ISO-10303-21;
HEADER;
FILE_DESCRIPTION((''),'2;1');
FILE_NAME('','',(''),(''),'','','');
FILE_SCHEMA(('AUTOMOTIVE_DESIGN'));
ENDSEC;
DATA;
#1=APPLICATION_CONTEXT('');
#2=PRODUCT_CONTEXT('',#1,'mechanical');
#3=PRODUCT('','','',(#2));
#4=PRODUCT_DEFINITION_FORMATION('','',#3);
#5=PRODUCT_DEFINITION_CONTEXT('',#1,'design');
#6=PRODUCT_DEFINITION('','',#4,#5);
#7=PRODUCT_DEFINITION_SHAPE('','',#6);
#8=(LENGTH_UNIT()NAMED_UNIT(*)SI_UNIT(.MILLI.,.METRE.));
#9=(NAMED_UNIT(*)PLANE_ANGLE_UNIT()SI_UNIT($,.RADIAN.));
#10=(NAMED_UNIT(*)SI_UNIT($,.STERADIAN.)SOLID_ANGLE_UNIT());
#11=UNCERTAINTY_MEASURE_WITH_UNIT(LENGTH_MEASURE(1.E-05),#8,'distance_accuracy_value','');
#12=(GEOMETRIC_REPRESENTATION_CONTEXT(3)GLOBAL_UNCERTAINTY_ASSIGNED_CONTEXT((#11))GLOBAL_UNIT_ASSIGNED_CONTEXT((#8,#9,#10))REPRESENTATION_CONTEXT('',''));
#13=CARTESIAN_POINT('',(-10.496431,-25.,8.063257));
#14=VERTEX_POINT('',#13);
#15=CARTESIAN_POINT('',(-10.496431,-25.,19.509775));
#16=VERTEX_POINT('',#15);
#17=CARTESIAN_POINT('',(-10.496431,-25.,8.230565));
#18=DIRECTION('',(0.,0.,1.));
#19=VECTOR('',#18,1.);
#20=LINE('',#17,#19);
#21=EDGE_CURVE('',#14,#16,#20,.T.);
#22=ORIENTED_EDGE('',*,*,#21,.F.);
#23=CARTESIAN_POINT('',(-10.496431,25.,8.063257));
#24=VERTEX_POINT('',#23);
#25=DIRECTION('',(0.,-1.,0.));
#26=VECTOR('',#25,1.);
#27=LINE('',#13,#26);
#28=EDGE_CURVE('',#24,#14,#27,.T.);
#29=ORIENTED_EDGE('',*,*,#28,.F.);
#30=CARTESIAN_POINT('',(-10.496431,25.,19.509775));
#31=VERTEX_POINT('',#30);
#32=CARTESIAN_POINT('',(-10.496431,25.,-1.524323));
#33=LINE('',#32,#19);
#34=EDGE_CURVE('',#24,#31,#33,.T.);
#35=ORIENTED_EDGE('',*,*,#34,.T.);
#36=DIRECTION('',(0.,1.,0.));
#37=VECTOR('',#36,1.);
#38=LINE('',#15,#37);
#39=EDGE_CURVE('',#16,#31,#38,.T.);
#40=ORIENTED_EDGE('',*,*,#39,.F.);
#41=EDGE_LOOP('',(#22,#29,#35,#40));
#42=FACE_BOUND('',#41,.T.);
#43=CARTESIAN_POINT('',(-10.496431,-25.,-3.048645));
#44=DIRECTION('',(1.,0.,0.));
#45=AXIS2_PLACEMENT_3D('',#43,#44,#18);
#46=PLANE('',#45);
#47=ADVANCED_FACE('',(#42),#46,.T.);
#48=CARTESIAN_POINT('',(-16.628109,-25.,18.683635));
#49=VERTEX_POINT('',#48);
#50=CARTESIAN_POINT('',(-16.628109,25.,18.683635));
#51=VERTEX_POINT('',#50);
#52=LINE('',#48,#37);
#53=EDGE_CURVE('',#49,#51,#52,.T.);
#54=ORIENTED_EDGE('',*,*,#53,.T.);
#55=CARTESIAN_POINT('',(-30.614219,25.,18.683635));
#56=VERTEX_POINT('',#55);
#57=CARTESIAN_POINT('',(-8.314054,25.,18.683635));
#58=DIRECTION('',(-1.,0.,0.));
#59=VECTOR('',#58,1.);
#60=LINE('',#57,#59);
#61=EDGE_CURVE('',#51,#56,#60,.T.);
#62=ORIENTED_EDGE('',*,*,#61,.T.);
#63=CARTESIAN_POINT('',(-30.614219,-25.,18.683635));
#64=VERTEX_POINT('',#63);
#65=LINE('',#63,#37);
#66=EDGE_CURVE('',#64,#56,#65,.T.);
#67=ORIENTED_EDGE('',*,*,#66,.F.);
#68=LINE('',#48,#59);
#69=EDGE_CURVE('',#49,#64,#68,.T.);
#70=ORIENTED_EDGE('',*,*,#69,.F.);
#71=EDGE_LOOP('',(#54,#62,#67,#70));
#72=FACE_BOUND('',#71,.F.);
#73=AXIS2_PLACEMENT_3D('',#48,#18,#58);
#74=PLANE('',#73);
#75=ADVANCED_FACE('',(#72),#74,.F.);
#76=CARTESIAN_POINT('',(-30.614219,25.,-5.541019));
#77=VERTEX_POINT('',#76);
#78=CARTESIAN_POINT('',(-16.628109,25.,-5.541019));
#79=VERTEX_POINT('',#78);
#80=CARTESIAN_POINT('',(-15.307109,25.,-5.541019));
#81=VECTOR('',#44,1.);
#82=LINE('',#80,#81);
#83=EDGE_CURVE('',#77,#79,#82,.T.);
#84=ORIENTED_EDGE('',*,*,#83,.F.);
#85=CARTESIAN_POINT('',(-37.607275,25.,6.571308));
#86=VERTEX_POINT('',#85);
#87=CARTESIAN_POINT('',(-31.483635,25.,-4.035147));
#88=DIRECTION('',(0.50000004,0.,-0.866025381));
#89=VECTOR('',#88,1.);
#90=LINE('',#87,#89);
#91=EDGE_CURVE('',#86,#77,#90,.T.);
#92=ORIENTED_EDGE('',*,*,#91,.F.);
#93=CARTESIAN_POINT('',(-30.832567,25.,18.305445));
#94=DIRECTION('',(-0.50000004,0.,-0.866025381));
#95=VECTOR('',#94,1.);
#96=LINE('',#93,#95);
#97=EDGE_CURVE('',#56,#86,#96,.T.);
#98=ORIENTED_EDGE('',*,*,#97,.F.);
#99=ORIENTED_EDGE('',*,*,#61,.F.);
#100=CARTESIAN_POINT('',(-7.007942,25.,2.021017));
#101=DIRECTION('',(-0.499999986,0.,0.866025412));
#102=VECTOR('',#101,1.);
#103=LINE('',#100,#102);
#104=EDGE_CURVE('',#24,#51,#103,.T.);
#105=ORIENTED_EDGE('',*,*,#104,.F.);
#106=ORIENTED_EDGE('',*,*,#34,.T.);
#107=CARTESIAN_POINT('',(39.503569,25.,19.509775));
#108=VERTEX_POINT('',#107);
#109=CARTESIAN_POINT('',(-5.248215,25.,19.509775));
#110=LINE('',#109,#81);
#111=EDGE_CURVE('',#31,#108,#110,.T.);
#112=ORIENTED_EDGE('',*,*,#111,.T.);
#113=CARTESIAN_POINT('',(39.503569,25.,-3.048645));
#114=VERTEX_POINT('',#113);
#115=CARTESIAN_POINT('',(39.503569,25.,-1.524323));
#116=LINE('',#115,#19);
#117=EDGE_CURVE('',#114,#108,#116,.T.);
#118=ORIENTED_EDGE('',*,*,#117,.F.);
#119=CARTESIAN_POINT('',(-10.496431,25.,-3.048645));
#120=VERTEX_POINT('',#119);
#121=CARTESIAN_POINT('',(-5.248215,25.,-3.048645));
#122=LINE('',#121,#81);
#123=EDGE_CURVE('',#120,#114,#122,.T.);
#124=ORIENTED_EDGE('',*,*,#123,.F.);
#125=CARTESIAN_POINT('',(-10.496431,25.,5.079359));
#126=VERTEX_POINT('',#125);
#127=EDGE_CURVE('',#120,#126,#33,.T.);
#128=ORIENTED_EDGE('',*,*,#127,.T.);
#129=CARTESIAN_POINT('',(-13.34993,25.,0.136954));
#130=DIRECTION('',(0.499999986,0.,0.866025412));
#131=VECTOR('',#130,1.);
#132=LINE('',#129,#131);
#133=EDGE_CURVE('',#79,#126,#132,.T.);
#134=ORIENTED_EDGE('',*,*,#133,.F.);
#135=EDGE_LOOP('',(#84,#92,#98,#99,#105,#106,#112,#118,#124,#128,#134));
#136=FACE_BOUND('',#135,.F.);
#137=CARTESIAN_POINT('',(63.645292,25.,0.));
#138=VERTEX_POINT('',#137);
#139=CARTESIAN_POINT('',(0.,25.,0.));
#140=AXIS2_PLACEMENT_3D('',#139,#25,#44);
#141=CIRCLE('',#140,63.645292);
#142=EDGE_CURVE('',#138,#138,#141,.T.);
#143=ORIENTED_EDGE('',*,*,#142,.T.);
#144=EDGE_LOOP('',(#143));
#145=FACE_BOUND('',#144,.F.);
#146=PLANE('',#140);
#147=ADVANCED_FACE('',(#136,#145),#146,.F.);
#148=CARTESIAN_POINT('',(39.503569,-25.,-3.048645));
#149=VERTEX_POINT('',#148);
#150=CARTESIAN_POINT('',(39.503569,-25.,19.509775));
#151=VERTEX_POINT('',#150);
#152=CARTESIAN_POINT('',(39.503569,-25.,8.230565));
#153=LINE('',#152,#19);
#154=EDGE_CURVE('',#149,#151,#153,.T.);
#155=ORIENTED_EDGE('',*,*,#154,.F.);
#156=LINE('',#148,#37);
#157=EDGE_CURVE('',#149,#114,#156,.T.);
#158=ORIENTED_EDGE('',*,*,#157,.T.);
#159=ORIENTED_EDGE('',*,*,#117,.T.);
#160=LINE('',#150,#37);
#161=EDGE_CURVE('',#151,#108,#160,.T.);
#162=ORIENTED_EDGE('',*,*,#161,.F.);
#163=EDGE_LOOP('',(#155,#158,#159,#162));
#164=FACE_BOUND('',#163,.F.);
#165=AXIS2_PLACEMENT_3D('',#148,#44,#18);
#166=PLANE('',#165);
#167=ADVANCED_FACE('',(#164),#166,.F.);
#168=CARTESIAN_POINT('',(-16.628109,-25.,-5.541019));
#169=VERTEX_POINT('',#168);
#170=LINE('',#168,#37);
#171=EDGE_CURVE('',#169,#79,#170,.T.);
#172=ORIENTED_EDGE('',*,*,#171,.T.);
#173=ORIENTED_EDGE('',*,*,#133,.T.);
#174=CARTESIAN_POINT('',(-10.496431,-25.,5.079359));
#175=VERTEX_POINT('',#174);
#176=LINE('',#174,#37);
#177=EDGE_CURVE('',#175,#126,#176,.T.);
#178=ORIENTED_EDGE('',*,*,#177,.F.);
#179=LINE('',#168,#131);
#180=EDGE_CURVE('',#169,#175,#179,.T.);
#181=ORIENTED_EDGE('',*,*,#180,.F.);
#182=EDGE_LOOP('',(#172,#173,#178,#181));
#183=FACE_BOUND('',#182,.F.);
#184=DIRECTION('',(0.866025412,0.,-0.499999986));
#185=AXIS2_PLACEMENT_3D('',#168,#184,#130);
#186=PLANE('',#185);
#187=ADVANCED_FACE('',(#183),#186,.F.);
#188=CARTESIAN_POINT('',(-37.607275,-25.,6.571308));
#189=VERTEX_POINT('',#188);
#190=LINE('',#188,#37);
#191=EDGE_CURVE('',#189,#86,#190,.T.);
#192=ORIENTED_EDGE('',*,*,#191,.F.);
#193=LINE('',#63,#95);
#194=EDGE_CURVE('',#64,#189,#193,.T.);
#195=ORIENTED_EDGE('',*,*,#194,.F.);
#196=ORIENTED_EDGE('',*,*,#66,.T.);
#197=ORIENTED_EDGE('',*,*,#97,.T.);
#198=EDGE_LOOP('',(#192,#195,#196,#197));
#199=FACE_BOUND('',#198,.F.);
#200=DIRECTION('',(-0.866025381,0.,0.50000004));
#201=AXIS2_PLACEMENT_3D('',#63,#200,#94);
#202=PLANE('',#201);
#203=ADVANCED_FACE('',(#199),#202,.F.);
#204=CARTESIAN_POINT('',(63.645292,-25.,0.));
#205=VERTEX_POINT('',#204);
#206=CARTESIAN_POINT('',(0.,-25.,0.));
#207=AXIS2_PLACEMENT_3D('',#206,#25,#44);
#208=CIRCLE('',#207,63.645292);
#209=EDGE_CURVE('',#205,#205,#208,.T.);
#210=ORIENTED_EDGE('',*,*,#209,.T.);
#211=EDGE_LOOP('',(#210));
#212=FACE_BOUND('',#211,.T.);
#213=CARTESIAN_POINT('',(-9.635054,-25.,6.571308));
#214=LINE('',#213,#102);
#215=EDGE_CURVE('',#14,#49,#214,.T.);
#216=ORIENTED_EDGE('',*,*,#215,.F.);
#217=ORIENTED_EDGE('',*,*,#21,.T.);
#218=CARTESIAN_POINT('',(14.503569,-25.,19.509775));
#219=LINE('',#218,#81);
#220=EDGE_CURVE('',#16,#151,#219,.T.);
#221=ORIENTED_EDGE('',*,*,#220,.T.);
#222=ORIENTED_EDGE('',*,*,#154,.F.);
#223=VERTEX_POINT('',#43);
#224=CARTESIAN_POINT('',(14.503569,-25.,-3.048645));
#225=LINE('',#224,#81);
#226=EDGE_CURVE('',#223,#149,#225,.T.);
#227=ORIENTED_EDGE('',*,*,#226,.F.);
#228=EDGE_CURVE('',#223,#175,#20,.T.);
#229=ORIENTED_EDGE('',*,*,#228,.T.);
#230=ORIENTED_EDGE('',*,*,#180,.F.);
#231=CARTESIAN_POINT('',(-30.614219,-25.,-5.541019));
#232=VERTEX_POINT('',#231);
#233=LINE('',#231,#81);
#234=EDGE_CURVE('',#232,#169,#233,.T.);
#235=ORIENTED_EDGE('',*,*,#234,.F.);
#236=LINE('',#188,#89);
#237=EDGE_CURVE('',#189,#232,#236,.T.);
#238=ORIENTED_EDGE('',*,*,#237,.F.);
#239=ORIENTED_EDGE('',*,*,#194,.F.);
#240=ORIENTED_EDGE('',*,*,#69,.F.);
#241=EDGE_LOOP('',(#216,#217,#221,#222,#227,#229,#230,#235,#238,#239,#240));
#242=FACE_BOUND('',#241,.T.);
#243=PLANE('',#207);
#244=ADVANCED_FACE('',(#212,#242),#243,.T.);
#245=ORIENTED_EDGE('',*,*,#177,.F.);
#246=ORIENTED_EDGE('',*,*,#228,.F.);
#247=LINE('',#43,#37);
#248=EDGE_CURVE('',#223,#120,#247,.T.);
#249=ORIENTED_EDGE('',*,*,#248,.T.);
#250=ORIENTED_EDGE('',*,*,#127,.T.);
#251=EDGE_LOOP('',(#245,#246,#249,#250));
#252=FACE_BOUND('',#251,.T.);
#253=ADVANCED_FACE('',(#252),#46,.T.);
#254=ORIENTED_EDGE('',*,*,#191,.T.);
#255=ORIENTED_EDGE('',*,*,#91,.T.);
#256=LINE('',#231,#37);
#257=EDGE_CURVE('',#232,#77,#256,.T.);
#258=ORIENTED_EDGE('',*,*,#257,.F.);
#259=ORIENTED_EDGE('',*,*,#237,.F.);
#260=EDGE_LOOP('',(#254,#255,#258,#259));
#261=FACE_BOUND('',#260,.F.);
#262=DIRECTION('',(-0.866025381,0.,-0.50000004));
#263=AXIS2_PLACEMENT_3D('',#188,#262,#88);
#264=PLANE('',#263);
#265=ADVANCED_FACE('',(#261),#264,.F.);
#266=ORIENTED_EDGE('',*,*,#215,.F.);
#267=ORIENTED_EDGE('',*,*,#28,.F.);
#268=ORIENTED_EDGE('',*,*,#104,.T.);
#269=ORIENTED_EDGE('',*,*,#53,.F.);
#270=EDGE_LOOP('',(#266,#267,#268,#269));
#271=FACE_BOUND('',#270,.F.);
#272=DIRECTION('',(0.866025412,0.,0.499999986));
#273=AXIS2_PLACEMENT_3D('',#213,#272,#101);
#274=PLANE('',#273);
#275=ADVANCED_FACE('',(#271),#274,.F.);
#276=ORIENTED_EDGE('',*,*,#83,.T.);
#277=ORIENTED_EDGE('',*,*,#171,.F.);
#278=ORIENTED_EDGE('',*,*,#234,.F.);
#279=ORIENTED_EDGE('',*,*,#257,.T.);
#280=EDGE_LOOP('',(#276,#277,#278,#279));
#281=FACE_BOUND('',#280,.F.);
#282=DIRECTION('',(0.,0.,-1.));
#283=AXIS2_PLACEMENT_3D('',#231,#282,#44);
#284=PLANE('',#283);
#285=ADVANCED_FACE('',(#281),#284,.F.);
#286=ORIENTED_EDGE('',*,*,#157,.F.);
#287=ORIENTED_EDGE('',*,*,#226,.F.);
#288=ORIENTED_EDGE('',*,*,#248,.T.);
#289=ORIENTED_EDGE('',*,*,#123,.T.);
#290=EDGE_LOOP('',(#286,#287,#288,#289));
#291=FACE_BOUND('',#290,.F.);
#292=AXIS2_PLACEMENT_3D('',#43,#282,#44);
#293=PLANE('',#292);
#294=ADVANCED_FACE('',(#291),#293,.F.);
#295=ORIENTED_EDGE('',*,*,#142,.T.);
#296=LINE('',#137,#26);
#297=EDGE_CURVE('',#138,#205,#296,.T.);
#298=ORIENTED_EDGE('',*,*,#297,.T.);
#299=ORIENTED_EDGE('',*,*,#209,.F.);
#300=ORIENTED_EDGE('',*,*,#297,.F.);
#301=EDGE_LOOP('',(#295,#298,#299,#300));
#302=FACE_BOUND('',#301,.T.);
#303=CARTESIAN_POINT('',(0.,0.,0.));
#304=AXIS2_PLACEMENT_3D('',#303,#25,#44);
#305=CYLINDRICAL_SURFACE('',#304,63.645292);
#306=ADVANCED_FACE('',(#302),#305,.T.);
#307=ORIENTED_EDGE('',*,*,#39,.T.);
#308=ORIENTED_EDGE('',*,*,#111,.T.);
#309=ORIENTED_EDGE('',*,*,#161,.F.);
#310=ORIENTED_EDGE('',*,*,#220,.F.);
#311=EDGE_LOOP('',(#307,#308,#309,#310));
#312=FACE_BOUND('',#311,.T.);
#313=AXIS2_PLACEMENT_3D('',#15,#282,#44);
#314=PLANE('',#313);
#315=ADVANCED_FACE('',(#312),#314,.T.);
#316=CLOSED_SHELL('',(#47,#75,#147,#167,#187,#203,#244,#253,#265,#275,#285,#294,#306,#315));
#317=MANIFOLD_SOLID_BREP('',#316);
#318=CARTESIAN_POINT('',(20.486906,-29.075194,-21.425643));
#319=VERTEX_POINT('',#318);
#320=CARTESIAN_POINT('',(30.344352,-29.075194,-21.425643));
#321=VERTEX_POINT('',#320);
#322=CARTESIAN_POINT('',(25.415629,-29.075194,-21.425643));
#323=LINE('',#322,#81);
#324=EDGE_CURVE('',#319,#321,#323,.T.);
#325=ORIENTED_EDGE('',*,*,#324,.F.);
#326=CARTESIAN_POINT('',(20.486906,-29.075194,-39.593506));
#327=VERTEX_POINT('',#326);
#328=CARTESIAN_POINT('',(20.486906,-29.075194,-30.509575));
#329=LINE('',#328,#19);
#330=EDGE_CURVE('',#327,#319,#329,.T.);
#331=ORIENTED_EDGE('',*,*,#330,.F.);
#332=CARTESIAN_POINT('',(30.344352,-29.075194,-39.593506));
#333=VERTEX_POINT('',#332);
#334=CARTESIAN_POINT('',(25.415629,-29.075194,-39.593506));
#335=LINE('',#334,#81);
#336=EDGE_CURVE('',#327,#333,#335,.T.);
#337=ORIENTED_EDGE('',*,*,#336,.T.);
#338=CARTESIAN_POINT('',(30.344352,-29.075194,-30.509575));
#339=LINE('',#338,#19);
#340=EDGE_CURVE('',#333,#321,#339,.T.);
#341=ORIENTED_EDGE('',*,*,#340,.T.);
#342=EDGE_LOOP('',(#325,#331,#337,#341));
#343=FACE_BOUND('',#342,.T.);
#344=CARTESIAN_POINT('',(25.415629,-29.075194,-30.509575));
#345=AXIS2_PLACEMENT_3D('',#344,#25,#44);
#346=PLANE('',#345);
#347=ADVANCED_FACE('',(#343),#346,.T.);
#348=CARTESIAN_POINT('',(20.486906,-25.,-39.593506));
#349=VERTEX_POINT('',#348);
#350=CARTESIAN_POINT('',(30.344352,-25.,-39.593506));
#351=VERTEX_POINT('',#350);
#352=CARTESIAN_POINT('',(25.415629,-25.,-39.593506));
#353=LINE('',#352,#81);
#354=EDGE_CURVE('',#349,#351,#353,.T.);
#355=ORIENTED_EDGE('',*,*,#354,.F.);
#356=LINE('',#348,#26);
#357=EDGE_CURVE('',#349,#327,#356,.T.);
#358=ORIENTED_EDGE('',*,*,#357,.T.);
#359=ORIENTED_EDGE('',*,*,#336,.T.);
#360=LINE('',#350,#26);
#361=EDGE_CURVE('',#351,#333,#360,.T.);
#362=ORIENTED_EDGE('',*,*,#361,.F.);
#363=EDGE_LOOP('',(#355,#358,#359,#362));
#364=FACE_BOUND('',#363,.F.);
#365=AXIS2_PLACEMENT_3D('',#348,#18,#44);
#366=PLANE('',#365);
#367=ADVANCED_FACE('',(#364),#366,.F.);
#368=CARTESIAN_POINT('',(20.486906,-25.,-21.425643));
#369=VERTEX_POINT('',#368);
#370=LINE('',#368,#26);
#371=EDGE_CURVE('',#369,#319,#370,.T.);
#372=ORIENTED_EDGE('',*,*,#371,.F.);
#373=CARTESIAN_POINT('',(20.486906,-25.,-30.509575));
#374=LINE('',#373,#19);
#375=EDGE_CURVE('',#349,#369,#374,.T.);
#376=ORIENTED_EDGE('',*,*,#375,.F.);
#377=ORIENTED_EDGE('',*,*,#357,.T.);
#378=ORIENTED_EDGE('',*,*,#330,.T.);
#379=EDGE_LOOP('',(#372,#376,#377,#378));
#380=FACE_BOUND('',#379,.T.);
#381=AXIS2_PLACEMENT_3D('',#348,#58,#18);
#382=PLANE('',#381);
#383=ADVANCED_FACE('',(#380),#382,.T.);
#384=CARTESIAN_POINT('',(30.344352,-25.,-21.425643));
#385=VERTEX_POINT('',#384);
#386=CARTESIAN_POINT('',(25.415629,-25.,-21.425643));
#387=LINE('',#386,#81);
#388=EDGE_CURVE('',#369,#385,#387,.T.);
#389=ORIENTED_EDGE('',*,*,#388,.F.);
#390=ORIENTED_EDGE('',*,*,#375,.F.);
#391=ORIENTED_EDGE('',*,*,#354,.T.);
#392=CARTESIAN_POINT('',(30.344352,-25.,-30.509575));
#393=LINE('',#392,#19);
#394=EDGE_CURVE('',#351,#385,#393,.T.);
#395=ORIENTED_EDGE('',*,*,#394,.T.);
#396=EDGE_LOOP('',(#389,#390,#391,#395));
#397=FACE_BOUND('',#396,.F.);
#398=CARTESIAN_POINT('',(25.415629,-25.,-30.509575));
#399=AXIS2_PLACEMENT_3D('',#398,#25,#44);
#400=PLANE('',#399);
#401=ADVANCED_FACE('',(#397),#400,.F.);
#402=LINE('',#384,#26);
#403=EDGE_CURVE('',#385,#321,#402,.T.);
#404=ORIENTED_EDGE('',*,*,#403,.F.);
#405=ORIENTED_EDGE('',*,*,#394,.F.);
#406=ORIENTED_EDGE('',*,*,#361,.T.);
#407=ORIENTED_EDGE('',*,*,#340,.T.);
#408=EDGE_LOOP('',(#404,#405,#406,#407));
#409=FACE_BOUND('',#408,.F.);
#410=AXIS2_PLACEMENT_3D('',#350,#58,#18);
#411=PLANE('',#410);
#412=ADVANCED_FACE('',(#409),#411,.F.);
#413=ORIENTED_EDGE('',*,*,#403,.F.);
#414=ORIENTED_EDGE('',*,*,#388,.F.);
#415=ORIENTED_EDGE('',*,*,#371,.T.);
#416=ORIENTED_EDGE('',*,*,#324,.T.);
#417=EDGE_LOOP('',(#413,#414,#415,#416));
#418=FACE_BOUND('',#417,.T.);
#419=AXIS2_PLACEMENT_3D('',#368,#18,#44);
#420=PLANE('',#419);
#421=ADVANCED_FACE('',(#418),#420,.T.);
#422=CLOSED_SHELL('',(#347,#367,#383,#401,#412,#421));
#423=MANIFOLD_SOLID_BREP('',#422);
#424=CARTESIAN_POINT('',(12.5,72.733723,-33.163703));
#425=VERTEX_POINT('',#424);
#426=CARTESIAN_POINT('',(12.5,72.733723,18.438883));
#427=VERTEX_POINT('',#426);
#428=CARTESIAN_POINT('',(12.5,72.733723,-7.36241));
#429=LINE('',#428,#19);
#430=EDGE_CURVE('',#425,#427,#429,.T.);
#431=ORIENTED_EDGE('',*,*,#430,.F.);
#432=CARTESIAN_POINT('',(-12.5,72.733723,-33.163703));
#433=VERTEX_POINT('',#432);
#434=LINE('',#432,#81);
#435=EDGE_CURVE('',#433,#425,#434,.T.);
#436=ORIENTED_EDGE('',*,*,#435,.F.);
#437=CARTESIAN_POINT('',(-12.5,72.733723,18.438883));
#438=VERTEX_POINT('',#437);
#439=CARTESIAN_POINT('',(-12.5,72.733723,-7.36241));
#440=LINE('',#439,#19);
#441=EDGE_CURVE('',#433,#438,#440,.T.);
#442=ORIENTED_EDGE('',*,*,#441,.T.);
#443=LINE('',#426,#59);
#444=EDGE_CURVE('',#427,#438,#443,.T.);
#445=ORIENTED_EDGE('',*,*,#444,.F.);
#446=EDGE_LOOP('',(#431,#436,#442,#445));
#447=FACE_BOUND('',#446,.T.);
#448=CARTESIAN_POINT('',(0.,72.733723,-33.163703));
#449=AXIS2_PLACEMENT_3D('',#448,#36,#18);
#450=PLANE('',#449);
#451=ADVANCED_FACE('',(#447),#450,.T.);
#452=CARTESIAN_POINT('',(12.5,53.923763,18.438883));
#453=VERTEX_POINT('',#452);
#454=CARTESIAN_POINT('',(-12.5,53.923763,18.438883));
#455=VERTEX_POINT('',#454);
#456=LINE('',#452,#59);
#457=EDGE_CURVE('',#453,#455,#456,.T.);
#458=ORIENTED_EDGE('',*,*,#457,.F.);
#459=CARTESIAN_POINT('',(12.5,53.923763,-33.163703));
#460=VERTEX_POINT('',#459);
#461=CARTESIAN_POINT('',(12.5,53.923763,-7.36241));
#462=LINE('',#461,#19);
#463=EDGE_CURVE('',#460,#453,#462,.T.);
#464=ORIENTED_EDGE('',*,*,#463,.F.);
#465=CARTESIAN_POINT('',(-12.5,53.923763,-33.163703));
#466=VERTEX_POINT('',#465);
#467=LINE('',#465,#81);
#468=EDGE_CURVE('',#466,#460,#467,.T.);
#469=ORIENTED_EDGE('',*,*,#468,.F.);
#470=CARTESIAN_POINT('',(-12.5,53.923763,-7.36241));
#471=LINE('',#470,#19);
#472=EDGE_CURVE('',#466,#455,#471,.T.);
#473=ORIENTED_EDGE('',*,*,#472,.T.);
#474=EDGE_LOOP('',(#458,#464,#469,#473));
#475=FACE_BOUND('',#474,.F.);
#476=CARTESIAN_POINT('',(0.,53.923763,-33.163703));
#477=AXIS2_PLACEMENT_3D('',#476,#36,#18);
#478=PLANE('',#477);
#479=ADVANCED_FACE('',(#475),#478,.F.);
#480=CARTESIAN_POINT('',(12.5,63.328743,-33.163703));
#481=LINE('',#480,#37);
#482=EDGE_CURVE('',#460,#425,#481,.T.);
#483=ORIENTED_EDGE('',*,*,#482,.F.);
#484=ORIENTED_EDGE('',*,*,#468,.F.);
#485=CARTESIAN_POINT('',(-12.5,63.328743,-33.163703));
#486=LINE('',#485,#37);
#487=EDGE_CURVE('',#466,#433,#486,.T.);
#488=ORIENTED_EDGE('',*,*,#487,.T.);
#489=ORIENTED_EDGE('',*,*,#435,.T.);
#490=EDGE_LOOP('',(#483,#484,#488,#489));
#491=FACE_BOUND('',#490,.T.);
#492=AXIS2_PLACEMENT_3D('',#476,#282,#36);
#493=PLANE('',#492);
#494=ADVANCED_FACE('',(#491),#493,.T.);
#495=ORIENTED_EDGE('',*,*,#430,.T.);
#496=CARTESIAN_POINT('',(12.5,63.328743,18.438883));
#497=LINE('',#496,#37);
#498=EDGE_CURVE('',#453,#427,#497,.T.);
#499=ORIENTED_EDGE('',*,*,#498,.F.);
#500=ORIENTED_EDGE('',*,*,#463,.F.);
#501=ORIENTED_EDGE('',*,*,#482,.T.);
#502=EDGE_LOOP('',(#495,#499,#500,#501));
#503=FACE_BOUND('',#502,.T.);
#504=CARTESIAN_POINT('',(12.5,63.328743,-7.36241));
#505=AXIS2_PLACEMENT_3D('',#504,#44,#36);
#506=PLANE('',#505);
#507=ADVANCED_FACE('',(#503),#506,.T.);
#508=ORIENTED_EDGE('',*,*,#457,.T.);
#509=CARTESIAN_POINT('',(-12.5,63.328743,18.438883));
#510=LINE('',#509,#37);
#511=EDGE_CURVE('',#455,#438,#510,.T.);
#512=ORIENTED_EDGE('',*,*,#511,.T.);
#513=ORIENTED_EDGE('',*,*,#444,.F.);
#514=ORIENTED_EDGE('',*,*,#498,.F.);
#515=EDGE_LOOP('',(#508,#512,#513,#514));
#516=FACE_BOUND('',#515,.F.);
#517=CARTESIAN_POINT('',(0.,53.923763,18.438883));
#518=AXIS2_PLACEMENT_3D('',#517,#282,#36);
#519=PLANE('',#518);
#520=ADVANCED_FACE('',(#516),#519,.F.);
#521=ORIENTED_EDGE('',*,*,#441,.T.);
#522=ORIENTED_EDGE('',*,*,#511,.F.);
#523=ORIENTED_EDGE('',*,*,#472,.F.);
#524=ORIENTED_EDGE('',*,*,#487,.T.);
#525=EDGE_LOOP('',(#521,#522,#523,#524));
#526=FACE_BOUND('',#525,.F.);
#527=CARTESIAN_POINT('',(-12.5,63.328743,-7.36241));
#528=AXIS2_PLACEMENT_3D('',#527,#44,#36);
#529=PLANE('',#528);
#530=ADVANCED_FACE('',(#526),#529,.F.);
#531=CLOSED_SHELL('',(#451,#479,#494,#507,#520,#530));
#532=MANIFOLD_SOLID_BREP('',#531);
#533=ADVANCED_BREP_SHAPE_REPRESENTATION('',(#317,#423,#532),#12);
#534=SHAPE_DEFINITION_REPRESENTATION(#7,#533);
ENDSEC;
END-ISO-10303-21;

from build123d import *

# Parameters (mm, degrees)
F0_R     = 63.645292
F1_DEPTH = 25
F2_W     = 50
F2_H     = 22.55842
F3_DEPTH = 100
F5_DEPTH = 60
F6_W     = 9.857446
F6_H     = 18.167863
F7_DEPTH = 4.075194
F8_W     = 18.80996
F8_H     = 51.602587
F9_DEPTH = 12.5


with BuildPart() as f1:
    # F0 (on Front) → F1 (new body, symmetric)
    with BuildSketch(Plane.XZ):
        Circle(F0_R)
    extrude(amount=F1_DEPTH, both=True)

    # F2 (on face) → F3 (cut)
    with BuildSketch(Plane.XZ.offset(25)):
        with Locations((14.503569, 8.230565)):
            Rectangle(F2_W, F2_H)
    extrude(amount=-F3_DEPTH, mode=Mode.SUBTRACT)

    # F4 (on face) → F5 (cut)
    with BuildSketch(Plane.XZ.offset(25)):
        Polygon((-16.628109, 18.683635), (-30.614219, 18.683635), (-37.607275, 6.571308), (-30.614219, -5.541019), (-16.628109, -5.541019), (-9.635054, 6.571308), align=None)
    extrude(amount=-F5_DEPTH, mode=Mode.SUBTRACT)


with BuildPart() as f7:
    # F6 (on face) → F7 (new body)
    with BuildSketch(Plane.XZ.offset(25)):
        with Locations((25.415629, -30.509575)):
            Rectangle(F6_W, F6_H)
    extrude(amount=F7_DEPTH)


with BuildPart() as f9:
    # F8 (on Right) → F9 (new body, symmetric)
    with BuildSketch(Plane.YZ):
        with Locations((63.328743, -7.36241)):
            Rectangle(F8_W, F8_H)
    extrude(amount=F9_DEPTH, both=True)


solid = Compound([f1.part, f7.part, f9.part])
